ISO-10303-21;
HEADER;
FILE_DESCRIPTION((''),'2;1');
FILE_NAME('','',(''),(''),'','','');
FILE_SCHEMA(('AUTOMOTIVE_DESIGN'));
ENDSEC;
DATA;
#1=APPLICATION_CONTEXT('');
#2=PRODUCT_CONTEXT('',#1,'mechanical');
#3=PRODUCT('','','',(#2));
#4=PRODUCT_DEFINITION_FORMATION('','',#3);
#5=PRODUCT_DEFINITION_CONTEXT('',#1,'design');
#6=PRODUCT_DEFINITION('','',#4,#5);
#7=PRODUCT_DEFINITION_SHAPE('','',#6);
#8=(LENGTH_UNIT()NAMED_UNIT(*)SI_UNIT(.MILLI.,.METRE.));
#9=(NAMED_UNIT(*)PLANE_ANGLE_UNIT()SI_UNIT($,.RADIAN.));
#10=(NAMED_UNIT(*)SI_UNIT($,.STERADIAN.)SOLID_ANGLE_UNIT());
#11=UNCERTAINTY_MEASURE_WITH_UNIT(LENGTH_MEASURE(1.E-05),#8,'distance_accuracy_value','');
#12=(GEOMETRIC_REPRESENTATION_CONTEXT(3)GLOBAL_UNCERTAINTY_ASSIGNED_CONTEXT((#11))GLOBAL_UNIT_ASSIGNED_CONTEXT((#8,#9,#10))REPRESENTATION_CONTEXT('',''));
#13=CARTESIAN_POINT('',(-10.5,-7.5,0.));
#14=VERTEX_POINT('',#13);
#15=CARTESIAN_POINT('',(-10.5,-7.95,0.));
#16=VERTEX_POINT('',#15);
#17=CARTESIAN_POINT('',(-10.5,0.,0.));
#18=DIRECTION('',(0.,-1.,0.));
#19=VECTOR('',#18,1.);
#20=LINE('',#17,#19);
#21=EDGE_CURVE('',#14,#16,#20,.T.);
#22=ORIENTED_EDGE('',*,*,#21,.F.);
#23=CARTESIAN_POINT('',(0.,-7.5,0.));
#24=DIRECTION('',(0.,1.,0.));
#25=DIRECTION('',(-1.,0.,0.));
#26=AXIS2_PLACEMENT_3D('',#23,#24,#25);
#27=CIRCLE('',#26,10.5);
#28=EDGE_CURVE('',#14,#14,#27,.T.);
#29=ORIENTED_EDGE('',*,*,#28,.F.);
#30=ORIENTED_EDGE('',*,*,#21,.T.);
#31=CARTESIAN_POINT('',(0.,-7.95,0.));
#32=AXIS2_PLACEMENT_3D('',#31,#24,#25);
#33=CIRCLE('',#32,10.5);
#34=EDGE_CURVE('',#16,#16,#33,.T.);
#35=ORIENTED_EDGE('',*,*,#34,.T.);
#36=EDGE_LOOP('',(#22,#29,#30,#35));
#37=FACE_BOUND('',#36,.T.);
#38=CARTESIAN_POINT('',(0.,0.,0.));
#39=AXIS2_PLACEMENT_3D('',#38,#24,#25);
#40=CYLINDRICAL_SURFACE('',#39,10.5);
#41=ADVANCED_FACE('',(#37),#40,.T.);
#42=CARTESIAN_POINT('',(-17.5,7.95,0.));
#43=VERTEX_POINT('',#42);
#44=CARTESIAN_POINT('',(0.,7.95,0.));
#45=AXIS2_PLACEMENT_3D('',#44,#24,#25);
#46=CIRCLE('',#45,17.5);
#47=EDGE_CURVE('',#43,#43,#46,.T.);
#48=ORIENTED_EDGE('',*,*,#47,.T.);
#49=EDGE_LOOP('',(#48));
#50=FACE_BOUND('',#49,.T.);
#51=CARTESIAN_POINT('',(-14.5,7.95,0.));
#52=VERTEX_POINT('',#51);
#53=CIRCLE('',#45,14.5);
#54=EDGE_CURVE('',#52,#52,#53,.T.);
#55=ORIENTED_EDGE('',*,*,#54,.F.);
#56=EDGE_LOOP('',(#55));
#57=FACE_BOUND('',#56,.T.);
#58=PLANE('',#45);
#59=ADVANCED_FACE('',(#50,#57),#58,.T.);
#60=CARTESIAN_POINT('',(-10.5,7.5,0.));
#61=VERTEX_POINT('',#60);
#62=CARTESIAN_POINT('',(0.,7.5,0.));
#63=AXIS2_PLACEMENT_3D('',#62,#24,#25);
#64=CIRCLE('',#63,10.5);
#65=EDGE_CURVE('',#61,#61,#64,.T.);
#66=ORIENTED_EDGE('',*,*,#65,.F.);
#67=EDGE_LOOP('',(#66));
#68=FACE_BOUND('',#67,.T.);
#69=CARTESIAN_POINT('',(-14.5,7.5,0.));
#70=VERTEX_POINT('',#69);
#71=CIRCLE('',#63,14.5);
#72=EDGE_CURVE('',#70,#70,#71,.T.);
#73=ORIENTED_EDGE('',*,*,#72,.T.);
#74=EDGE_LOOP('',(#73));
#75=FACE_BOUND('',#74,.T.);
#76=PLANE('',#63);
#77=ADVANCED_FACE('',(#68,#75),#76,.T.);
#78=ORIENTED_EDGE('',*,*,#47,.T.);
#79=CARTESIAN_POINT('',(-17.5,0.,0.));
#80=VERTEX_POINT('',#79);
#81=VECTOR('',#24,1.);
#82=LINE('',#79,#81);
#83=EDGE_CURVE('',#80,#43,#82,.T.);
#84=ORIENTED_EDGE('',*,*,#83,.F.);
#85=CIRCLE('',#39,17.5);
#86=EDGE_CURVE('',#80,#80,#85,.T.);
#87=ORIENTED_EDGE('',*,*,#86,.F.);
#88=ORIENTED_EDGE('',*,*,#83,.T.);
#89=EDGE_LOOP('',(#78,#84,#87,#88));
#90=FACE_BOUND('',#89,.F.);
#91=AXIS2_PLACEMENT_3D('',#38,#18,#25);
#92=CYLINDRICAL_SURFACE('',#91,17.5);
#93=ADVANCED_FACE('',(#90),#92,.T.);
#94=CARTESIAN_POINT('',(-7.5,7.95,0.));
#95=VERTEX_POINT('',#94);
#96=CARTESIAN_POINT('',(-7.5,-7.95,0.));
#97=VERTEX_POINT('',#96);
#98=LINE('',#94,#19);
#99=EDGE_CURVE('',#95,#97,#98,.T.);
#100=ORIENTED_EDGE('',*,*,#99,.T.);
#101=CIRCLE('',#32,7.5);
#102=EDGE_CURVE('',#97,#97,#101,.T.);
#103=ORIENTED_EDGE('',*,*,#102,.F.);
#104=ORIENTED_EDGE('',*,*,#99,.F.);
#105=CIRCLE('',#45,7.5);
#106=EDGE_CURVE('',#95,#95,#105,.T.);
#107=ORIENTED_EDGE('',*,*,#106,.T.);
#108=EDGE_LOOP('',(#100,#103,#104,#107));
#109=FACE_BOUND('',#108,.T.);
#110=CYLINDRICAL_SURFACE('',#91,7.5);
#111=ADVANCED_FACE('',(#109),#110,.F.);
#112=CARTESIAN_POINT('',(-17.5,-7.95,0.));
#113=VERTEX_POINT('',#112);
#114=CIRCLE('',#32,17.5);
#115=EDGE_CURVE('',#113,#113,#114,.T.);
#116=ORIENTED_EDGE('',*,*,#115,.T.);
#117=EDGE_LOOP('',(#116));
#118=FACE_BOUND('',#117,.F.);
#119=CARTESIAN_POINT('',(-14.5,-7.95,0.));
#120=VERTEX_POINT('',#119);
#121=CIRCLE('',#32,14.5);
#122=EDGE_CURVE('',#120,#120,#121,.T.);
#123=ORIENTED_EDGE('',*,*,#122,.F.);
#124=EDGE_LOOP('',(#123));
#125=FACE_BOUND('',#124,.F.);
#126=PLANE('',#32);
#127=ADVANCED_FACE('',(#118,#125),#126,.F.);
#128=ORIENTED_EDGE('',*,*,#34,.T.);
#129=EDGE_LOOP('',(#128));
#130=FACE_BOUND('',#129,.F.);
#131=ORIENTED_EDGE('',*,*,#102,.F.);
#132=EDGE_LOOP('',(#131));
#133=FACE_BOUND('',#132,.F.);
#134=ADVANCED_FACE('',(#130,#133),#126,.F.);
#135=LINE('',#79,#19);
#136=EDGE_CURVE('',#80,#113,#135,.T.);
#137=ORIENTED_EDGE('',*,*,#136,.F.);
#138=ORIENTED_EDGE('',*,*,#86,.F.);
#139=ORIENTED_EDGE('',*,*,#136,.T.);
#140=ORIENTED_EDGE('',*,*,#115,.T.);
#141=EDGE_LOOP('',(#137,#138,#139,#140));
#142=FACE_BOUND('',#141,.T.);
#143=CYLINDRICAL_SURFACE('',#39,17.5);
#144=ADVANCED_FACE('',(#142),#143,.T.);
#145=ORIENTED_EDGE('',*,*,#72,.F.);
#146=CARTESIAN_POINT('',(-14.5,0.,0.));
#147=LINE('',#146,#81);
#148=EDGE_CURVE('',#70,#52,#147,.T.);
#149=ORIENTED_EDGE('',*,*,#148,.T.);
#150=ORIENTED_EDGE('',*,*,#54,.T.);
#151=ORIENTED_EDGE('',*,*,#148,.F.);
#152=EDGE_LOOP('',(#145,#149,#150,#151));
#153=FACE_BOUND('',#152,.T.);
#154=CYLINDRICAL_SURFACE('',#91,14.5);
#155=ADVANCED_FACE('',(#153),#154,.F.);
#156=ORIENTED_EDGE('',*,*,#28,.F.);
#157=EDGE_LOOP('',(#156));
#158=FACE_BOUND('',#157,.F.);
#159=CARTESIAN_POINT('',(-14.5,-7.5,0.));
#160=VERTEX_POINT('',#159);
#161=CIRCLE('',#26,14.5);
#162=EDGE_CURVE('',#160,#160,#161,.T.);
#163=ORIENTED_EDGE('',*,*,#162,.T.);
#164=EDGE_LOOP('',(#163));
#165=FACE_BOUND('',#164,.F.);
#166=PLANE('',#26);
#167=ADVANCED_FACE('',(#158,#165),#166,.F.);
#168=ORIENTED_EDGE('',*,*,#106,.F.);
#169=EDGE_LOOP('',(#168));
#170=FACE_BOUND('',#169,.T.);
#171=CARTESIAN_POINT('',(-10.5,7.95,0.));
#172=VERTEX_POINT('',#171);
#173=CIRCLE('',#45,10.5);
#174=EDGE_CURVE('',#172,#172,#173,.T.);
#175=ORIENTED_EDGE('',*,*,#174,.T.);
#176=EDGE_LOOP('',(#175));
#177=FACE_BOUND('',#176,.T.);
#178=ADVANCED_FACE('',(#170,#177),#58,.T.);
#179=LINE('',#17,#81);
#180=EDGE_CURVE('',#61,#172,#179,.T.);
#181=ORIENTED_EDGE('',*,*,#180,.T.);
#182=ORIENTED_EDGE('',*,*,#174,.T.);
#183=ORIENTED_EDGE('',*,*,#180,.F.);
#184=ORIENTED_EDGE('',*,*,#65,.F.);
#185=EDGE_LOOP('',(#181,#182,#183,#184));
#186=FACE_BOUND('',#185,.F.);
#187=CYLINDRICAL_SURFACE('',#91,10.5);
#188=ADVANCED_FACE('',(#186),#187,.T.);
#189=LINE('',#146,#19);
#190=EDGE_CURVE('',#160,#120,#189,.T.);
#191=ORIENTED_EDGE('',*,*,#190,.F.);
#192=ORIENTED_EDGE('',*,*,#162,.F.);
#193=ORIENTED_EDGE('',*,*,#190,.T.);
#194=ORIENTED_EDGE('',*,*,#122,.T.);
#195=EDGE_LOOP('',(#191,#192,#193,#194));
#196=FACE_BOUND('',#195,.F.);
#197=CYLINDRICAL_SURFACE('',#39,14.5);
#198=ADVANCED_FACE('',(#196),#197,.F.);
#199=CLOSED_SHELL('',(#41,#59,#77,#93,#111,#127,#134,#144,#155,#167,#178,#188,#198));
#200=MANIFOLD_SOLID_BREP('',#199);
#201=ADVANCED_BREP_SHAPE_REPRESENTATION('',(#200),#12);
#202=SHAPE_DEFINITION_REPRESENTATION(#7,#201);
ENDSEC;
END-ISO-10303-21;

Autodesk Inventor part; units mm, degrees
ref_plane "YZ Plane" through (0, 0, 0) normal (1, 0, 0) x (0, 1, 0)
ref_plane "XZ Plane" through (0, 0, 0) normal (0, 1, 0) x (-1, 0, 0)
ref_plane "XY Plane" through (0, 0, 0) normal (0, 0, 1) x (1, 0, 0)
sketch "Sketch1" plane through (0, 0, 0) normal (0, 1, 0) x (-1, 0, 0)
  circle A0 centre (0, 0) radius 7.5
  circle A1 centre (0, 0) radius 10.5
  circle A2 centre (0, 0) radius 17.5
  circle A3 centre (0, 0) radius 14.5
  dimension "d0" = 15
  dimension "d2" = 35
  dimension "d3" = 3
  dimension "d4" = 3
extrude "Extrusion1" add sketch "Sketch1" along normal mid plane 15.9
extrude "Extrusion2" add sketch "Sketch1" along normal mid plane 15 contours A3
properties part number "Bearing 3202 2RS - 15x35x15,9 mm"
